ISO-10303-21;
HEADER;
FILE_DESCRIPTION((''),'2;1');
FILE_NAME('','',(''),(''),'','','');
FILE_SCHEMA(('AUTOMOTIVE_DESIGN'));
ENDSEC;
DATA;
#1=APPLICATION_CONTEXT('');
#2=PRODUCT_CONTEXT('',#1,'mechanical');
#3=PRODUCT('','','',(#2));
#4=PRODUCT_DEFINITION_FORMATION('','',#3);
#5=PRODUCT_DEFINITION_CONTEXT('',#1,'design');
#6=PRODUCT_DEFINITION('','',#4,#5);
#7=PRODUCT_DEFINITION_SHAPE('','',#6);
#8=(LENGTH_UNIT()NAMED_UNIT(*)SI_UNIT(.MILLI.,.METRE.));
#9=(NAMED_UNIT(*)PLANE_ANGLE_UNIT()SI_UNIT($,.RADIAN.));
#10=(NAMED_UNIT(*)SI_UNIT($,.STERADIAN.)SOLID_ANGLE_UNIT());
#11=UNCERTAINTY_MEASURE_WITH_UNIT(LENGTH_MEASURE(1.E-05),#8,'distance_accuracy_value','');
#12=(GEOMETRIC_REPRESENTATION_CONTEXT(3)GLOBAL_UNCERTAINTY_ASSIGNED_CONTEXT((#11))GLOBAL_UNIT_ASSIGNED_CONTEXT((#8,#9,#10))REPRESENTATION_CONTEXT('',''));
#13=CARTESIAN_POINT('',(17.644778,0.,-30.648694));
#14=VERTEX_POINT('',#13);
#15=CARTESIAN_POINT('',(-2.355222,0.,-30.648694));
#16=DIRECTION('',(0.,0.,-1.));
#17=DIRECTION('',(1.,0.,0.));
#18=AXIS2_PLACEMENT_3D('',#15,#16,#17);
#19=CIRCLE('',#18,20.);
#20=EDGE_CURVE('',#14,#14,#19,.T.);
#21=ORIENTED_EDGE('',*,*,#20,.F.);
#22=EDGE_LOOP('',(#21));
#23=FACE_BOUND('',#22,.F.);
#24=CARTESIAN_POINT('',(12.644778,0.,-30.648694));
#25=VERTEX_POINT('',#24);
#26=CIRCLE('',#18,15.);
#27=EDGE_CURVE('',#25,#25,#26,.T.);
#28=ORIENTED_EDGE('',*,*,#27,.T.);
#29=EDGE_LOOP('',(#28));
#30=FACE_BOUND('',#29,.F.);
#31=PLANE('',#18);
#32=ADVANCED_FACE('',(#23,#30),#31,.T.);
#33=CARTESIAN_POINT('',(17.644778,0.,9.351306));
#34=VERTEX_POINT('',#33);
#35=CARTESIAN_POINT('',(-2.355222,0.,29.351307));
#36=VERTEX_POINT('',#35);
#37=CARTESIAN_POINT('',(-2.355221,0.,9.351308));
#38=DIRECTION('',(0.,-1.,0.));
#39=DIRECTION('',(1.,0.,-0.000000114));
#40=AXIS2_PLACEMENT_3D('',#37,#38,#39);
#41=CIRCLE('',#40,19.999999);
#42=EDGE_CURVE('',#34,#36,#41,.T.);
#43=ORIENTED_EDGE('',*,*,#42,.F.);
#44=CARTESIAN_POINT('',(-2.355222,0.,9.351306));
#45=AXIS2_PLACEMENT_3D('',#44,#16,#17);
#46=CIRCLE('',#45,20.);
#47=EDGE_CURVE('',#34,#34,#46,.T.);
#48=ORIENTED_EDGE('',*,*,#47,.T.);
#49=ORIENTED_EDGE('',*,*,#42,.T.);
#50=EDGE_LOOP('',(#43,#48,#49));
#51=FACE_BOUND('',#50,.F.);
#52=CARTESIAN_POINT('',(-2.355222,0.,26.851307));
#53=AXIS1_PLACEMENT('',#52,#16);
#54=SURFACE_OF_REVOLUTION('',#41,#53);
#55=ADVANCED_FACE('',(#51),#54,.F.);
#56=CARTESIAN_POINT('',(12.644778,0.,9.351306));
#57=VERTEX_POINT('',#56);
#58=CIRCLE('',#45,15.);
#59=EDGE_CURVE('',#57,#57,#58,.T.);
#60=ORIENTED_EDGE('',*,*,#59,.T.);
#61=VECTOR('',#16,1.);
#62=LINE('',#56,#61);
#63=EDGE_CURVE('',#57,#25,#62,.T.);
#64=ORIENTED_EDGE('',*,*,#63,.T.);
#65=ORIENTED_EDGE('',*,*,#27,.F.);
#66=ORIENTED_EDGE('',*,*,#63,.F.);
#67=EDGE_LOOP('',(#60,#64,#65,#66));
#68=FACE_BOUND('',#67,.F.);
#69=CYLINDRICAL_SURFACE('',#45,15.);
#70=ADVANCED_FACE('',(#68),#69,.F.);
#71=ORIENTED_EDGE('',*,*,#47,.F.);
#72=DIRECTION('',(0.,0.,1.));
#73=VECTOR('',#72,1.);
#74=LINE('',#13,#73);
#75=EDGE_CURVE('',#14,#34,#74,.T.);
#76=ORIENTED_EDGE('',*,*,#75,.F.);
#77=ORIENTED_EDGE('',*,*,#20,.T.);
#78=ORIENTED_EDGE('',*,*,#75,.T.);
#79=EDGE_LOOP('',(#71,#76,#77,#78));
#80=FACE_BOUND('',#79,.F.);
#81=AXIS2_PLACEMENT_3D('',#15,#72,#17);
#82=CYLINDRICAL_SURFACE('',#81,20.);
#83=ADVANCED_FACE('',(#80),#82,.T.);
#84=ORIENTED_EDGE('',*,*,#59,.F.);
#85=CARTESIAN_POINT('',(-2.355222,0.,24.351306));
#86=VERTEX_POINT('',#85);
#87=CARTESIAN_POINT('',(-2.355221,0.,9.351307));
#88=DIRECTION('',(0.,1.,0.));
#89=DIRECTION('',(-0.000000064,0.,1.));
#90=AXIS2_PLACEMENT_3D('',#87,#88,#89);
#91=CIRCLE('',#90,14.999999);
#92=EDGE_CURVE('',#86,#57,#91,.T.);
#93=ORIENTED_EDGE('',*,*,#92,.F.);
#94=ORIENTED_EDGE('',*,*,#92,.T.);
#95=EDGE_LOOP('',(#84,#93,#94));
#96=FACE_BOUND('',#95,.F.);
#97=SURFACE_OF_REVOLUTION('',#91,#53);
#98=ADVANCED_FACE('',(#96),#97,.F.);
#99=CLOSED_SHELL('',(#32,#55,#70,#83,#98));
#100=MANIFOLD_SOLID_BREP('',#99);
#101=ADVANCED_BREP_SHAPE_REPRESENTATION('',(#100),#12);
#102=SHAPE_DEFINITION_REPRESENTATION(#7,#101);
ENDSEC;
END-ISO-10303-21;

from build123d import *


with BuildPart() as f1:
    # F0 (on Front) → F1 (revolve)
    with BuildSketch(Plane.XZ):
        with BuildLine():
            ThreePointArc((-2.355222, 24.351306), (8.25138, 19.957908), (12.644778, 9.351306))
            Line((12.644778, 9.351306), (12.644778, -30.648694))
            Line((12.644778, -30.648694), (17.644778, -30.648694))
            Line((17.644778, -30.648694), (17.644778, 9.351306))
            ThreePointArc((17.644778, 9.351306), (11.786914, 23.493443), (-2.355222, 29.351307))
            Line((-2.355222, 29.351307), (-2.355222, 24.351306))
        make_face()
    revolve(axis=Axis((-2.355222, 0, 26.851307), (0, 0, -1)))


solid = f1.part
